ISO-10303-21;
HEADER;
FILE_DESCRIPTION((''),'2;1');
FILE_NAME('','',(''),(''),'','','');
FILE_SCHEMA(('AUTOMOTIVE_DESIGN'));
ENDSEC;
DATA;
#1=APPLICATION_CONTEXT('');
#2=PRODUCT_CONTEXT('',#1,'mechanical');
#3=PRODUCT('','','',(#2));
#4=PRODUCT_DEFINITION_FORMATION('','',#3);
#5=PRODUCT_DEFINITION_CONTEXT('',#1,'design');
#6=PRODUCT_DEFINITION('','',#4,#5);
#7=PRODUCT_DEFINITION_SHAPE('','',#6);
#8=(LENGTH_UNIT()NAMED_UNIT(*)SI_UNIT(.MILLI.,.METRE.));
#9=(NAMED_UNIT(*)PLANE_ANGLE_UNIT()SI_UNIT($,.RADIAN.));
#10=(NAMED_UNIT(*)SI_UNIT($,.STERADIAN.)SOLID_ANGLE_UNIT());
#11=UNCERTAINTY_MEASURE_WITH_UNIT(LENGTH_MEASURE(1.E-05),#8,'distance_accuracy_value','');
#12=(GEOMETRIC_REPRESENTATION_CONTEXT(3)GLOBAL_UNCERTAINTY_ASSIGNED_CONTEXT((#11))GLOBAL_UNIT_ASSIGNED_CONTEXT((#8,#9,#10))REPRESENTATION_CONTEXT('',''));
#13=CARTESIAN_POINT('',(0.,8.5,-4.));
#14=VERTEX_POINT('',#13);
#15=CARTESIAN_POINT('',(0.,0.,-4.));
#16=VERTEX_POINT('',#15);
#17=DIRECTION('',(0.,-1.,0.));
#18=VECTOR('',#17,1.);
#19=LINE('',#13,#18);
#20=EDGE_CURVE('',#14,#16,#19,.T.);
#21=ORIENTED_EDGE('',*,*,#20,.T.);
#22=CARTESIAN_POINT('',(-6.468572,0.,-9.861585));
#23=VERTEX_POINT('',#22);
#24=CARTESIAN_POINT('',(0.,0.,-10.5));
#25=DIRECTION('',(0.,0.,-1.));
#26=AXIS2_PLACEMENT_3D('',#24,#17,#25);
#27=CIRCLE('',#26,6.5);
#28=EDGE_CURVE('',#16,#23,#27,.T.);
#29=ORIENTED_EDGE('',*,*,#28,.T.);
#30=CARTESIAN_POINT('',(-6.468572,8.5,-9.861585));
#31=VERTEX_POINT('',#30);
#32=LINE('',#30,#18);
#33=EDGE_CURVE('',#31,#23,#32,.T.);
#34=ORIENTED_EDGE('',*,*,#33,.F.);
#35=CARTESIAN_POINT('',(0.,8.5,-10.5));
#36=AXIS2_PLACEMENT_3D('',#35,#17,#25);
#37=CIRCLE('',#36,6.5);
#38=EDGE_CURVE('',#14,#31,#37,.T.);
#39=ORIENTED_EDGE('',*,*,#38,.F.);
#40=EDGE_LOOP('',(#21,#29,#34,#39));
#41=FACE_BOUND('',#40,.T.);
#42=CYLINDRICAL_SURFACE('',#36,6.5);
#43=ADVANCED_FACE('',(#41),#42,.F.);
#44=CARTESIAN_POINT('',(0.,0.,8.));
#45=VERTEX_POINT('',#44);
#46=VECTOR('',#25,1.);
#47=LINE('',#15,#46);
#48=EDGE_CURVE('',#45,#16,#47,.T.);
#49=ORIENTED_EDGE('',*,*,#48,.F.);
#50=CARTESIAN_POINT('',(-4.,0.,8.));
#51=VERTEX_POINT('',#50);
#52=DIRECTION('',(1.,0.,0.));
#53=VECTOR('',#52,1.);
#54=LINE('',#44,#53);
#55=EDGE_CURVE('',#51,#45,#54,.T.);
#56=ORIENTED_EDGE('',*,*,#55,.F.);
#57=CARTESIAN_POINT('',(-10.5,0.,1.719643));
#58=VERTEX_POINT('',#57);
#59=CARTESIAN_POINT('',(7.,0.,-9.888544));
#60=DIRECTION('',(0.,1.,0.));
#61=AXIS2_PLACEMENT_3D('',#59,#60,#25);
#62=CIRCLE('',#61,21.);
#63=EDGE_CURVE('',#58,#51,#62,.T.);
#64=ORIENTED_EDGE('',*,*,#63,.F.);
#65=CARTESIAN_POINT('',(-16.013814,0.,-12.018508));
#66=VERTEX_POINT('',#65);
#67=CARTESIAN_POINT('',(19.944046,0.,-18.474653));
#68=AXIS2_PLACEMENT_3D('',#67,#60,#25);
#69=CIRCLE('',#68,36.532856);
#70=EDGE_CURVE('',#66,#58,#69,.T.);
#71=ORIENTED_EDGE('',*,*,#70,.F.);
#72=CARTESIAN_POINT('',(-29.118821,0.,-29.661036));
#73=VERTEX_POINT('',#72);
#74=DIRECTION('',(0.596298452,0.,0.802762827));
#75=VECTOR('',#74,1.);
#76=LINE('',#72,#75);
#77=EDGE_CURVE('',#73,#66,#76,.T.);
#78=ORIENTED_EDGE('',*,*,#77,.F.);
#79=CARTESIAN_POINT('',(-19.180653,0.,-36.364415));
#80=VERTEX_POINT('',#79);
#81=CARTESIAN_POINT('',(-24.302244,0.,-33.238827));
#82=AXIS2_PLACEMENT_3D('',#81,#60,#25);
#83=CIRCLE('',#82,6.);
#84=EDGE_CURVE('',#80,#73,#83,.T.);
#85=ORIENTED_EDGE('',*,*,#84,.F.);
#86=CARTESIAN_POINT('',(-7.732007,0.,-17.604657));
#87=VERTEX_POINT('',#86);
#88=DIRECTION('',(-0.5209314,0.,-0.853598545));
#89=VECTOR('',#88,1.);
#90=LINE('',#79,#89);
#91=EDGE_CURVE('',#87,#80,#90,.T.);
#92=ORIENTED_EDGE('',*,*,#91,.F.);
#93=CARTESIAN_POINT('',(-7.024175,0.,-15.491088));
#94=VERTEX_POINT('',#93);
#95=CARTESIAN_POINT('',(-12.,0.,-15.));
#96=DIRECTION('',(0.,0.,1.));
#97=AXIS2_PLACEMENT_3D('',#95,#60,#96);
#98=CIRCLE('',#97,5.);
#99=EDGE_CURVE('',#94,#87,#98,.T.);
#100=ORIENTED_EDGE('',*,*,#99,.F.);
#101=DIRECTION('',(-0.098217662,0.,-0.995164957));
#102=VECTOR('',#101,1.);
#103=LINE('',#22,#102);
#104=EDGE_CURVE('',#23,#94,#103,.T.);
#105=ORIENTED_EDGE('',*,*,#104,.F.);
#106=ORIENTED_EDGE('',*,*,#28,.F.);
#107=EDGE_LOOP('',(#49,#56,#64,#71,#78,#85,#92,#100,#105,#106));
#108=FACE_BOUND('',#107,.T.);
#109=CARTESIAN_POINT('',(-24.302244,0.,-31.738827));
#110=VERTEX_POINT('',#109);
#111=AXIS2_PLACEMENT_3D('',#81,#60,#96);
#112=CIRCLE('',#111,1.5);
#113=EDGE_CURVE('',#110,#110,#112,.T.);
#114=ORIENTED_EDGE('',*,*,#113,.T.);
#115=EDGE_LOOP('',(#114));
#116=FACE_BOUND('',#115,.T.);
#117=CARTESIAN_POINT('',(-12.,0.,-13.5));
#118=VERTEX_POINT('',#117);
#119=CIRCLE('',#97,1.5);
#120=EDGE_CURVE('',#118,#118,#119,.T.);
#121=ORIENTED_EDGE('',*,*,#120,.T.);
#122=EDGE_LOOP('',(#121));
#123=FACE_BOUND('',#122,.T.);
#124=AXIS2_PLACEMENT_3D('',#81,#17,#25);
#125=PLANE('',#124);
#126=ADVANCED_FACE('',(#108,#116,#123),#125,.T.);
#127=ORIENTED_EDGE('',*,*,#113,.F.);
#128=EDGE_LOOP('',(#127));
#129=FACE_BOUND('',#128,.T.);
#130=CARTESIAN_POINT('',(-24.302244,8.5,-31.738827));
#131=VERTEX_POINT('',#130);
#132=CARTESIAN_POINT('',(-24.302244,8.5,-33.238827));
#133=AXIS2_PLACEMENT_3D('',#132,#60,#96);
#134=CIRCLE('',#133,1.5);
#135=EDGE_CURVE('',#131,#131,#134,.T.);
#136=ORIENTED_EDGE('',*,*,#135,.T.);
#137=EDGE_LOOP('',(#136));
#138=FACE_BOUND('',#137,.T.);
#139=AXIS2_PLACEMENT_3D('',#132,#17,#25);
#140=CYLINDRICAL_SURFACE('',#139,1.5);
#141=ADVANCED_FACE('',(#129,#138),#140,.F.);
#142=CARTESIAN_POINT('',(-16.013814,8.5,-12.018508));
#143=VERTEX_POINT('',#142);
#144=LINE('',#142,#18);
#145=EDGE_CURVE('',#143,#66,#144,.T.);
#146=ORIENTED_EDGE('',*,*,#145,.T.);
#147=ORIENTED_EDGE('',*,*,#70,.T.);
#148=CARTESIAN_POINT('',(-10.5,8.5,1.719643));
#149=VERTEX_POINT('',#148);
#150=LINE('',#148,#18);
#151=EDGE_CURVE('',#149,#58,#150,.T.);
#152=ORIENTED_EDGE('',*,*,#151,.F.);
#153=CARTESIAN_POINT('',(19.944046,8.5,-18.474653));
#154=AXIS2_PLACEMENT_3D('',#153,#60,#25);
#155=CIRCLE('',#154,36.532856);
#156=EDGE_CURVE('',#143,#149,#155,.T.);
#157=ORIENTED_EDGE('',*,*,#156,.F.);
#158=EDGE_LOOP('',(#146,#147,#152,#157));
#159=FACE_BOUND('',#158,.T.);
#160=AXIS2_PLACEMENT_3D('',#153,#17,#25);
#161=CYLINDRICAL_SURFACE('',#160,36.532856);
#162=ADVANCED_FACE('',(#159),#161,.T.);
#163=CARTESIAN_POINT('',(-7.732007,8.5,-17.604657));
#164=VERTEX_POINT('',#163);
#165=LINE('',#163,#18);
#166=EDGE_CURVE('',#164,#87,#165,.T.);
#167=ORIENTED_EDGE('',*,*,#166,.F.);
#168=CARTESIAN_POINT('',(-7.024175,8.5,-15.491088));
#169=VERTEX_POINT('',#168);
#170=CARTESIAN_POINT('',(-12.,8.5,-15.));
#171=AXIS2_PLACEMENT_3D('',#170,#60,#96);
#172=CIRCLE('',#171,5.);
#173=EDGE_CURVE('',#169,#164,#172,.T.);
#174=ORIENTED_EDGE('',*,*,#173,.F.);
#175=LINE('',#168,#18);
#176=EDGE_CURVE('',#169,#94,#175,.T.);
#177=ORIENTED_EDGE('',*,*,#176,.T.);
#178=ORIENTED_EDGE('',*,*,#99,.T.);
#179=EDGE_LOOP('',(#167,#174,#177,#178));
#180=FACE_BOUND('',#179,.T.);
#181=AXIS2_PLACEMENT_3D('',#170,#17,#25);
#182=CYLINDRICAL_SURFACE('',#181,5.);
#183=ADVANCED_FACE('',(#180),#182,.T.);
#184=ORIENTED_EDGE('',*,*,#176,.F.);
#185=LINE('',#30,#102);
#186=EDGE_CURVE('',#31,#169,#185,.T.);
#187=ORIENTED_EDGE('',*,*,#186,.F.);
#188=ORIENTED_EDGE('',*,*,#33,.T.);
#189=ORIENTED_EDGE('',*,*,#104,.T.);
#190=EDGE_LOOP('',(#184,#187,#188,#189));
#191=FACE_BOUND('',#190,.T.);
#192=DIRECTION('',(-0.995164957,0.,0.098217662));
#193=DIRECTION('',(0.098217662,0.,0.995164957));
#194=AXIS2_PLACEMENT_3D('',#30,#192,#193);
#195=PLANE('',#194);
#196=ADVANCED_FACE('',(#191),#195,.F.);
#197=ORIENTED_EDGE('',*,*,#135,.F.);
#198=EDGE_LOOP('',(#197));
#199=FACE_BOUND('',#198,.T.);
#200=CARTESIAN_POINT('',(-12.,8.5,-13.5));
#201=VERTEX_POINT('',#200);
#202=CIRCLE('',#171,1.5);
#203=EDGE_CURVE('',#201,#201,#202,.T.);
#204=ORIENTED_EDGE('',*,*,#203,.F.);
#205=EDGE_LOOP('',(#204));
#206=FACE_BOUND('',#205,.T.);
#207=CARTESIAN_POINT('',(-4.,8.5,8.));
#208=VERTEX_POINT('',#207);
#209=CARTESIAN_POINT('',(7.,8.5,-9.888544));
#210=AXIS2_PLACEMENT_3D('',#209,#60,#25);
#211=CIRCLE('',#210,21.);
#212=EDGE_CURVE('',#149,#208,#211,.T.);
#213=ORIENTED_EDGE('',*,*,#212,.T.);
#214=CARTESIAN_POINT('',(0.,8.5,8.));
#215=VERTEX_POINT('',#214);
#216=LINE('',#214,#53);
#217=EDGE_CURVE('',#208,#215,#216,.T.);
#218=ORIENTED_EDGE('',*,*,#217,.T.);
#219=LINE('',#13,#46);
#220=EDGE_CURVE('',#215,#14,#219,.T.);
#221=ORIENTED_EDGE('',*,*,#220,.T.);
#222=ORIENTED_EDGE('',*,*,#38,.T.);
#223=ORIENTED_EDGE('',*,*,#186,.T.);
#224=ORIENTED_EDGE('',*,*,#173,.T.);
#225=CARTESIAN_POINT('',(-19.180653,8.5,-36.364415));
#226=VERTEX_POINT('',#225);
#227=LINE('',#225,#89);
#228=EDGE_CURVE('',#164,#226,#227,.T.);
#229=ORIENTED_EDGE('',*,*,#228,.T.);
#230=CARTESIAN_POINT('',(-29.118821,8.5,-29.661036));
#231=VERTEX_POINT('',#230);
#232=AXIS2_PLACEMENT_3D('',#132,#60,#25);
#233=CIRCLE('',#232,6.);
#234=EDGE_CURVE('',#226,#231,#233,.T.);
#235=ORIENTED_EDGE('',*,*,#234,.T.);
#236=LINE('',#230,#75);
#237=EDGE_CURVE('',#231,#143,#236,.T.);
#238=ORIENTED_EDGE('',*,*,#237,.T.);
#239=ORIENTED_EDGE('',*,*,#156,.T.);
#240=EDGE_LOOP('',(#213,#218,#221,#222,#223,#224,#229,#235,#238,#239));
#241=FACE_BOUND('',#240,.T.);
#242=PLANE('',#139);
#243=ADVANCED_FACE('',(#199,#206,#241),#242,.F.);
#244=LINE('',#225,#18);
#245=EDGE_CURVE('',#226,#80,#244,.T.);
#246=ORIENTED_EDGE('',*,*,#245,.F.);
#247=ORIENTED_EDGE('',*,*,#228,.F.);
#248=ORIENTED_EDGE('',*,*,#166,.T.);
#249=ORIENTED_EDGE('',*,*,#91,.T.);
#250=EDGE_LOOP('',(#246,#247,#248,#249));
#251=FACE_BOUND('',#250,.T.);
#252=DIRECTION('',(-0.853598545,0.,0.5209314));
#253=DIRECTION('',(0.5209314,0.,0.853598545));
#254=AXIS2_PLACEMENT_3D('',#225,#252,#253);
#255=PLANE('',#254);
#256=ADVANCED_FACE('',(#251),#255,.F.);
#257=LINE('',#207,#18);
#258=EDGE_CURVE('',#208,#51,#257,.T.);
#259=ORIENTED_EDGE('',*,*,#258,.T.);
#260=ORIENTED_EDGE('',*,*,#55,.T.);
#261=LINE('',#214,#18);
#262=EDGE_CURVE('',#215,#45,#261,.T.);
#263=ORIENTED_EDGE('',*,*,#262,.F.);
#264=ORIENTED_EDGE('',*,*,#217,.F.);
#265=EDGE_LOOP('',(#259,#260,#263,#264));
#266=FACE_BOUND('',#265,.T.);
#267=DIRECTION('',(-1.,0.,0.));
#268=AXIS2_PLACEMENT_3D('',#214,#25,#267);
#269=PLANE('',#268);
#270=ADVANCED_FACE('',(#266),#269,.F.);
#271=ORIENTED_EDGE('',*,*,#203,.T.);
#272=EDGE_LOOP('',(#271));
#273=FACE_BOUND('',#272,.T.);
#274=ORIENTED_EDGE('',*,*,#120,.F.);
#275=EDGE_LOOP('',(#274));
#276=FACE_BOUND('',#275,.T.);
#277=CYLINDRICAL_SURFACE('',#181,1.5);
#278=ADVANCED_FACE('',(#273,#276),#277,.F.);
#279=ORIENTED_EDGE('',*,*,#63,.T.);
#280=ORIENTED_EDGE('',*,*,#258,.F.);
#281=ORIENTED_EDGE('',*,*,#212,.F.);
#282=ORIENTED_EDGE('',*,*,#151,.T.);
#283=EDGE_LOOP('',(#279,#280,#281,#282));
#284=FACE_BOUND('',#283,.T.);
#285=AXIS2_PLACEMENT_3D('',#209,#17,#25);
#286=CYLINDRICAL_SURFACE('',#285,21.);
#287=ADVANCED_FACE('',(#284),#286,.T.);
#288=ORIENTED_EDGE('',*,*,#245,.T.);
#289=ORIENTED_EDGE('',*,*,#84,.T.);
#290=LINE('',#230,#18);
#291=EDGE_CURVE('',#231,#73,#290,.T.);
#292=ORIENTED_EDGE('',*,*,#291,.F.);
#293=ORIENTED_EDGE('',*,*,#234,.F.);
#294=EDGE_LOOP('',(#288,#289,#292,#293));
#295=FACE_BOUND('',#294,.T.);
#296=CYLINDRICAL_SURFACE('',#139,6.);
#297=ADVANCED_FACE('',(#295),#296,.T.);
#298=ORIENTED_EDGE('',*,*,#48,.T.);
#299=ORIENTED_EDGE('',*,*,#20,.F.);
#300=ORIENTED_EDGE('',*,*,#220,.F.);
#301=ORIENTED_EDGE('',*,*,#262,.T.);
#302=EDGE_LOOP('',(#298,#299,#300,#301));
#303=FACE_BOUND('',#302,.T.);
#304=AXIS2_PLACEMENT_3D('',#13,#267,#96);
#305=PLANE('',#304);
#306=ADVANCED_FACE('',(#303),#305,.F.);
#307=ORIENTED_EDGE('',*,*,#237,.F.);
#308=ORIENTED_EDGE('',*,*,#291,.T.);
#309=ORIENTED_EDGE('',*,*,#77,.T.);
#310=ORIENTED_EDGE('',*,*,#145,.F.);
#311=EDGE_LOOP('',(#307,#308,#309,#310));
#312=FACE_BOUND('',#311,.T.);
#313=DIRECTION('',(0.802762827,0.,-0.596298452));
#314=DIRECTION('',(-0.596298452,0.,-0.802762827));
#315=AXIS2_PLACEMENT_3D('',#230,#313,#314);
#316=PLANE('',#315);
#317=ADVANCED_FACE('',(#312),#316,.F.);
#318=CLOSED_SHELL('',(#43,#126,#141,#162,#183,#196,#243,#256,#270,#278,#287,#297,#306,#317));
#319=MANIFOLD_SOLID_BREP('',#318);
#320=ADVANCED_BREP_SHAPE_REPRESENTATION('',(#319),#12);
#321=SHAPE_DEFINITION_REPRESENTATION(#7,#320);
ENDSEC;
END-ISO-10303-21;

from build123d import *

# Parameters (mm, degrees)
CROQUIS1_R              = 1.5
SALIENTE_EXTRUIR1_DEPTH = 8.5


with BuildPart() as part:
    # Croquis1 → Saliente-Extruir1 (new body)
    with BuildSketch(Plane(origin=(0, 0, 0), x_dir=(1, 0, 0), z_dir=(0, 1, 0))):
        with BuildLine():
            Line((-29.118820837, 29.661035883), (-16.013814133, 12.018507739))
            ThreePointArc((-16.013814133, 12.018507739), (-13.96004638, 4.867227057), (-10.5, -1.719642946))
            ThreePointArc((-10.5, -1.719642946), (-7.591888883, -5.213667237), (-4, -8))
            Line((-4, -8), (0, -8))
            Line((0, -8), (0, 4))
            ThreePointArc((0, 4), (-4.364647968, 5.683377936), (-6.468572218, 9.861585197))
            Line((-6.468572218, 9.861585197), (-7.024175217, 15.49108831))
            ThreePointArc((-7.024175217, 15.49108831), (-7.25881516, 16.587818098), (-7.732007274, 17.604657001))
            Line((-7.732007274, 17.604657001), (-19.180652605, 36.364414997))
            ThreePointArc((-19.180652605, 36.364414997), (-27.657401297, 38.213052032), (-29.118820837, 29.661035883))
        make_face()
        with Locations((-24.302243876, 33.238826596)):
            Circle(CROQUIS1_R, mode=Mode.SUBTRACT)
        with Locations((-12, 15)):
            Circle(CROQUIS1_R, mode=Mode.SUBTRACT)
    extrude(amount=SALIENTE_EXTRUIR1_DEPTH)


solid = part.part
